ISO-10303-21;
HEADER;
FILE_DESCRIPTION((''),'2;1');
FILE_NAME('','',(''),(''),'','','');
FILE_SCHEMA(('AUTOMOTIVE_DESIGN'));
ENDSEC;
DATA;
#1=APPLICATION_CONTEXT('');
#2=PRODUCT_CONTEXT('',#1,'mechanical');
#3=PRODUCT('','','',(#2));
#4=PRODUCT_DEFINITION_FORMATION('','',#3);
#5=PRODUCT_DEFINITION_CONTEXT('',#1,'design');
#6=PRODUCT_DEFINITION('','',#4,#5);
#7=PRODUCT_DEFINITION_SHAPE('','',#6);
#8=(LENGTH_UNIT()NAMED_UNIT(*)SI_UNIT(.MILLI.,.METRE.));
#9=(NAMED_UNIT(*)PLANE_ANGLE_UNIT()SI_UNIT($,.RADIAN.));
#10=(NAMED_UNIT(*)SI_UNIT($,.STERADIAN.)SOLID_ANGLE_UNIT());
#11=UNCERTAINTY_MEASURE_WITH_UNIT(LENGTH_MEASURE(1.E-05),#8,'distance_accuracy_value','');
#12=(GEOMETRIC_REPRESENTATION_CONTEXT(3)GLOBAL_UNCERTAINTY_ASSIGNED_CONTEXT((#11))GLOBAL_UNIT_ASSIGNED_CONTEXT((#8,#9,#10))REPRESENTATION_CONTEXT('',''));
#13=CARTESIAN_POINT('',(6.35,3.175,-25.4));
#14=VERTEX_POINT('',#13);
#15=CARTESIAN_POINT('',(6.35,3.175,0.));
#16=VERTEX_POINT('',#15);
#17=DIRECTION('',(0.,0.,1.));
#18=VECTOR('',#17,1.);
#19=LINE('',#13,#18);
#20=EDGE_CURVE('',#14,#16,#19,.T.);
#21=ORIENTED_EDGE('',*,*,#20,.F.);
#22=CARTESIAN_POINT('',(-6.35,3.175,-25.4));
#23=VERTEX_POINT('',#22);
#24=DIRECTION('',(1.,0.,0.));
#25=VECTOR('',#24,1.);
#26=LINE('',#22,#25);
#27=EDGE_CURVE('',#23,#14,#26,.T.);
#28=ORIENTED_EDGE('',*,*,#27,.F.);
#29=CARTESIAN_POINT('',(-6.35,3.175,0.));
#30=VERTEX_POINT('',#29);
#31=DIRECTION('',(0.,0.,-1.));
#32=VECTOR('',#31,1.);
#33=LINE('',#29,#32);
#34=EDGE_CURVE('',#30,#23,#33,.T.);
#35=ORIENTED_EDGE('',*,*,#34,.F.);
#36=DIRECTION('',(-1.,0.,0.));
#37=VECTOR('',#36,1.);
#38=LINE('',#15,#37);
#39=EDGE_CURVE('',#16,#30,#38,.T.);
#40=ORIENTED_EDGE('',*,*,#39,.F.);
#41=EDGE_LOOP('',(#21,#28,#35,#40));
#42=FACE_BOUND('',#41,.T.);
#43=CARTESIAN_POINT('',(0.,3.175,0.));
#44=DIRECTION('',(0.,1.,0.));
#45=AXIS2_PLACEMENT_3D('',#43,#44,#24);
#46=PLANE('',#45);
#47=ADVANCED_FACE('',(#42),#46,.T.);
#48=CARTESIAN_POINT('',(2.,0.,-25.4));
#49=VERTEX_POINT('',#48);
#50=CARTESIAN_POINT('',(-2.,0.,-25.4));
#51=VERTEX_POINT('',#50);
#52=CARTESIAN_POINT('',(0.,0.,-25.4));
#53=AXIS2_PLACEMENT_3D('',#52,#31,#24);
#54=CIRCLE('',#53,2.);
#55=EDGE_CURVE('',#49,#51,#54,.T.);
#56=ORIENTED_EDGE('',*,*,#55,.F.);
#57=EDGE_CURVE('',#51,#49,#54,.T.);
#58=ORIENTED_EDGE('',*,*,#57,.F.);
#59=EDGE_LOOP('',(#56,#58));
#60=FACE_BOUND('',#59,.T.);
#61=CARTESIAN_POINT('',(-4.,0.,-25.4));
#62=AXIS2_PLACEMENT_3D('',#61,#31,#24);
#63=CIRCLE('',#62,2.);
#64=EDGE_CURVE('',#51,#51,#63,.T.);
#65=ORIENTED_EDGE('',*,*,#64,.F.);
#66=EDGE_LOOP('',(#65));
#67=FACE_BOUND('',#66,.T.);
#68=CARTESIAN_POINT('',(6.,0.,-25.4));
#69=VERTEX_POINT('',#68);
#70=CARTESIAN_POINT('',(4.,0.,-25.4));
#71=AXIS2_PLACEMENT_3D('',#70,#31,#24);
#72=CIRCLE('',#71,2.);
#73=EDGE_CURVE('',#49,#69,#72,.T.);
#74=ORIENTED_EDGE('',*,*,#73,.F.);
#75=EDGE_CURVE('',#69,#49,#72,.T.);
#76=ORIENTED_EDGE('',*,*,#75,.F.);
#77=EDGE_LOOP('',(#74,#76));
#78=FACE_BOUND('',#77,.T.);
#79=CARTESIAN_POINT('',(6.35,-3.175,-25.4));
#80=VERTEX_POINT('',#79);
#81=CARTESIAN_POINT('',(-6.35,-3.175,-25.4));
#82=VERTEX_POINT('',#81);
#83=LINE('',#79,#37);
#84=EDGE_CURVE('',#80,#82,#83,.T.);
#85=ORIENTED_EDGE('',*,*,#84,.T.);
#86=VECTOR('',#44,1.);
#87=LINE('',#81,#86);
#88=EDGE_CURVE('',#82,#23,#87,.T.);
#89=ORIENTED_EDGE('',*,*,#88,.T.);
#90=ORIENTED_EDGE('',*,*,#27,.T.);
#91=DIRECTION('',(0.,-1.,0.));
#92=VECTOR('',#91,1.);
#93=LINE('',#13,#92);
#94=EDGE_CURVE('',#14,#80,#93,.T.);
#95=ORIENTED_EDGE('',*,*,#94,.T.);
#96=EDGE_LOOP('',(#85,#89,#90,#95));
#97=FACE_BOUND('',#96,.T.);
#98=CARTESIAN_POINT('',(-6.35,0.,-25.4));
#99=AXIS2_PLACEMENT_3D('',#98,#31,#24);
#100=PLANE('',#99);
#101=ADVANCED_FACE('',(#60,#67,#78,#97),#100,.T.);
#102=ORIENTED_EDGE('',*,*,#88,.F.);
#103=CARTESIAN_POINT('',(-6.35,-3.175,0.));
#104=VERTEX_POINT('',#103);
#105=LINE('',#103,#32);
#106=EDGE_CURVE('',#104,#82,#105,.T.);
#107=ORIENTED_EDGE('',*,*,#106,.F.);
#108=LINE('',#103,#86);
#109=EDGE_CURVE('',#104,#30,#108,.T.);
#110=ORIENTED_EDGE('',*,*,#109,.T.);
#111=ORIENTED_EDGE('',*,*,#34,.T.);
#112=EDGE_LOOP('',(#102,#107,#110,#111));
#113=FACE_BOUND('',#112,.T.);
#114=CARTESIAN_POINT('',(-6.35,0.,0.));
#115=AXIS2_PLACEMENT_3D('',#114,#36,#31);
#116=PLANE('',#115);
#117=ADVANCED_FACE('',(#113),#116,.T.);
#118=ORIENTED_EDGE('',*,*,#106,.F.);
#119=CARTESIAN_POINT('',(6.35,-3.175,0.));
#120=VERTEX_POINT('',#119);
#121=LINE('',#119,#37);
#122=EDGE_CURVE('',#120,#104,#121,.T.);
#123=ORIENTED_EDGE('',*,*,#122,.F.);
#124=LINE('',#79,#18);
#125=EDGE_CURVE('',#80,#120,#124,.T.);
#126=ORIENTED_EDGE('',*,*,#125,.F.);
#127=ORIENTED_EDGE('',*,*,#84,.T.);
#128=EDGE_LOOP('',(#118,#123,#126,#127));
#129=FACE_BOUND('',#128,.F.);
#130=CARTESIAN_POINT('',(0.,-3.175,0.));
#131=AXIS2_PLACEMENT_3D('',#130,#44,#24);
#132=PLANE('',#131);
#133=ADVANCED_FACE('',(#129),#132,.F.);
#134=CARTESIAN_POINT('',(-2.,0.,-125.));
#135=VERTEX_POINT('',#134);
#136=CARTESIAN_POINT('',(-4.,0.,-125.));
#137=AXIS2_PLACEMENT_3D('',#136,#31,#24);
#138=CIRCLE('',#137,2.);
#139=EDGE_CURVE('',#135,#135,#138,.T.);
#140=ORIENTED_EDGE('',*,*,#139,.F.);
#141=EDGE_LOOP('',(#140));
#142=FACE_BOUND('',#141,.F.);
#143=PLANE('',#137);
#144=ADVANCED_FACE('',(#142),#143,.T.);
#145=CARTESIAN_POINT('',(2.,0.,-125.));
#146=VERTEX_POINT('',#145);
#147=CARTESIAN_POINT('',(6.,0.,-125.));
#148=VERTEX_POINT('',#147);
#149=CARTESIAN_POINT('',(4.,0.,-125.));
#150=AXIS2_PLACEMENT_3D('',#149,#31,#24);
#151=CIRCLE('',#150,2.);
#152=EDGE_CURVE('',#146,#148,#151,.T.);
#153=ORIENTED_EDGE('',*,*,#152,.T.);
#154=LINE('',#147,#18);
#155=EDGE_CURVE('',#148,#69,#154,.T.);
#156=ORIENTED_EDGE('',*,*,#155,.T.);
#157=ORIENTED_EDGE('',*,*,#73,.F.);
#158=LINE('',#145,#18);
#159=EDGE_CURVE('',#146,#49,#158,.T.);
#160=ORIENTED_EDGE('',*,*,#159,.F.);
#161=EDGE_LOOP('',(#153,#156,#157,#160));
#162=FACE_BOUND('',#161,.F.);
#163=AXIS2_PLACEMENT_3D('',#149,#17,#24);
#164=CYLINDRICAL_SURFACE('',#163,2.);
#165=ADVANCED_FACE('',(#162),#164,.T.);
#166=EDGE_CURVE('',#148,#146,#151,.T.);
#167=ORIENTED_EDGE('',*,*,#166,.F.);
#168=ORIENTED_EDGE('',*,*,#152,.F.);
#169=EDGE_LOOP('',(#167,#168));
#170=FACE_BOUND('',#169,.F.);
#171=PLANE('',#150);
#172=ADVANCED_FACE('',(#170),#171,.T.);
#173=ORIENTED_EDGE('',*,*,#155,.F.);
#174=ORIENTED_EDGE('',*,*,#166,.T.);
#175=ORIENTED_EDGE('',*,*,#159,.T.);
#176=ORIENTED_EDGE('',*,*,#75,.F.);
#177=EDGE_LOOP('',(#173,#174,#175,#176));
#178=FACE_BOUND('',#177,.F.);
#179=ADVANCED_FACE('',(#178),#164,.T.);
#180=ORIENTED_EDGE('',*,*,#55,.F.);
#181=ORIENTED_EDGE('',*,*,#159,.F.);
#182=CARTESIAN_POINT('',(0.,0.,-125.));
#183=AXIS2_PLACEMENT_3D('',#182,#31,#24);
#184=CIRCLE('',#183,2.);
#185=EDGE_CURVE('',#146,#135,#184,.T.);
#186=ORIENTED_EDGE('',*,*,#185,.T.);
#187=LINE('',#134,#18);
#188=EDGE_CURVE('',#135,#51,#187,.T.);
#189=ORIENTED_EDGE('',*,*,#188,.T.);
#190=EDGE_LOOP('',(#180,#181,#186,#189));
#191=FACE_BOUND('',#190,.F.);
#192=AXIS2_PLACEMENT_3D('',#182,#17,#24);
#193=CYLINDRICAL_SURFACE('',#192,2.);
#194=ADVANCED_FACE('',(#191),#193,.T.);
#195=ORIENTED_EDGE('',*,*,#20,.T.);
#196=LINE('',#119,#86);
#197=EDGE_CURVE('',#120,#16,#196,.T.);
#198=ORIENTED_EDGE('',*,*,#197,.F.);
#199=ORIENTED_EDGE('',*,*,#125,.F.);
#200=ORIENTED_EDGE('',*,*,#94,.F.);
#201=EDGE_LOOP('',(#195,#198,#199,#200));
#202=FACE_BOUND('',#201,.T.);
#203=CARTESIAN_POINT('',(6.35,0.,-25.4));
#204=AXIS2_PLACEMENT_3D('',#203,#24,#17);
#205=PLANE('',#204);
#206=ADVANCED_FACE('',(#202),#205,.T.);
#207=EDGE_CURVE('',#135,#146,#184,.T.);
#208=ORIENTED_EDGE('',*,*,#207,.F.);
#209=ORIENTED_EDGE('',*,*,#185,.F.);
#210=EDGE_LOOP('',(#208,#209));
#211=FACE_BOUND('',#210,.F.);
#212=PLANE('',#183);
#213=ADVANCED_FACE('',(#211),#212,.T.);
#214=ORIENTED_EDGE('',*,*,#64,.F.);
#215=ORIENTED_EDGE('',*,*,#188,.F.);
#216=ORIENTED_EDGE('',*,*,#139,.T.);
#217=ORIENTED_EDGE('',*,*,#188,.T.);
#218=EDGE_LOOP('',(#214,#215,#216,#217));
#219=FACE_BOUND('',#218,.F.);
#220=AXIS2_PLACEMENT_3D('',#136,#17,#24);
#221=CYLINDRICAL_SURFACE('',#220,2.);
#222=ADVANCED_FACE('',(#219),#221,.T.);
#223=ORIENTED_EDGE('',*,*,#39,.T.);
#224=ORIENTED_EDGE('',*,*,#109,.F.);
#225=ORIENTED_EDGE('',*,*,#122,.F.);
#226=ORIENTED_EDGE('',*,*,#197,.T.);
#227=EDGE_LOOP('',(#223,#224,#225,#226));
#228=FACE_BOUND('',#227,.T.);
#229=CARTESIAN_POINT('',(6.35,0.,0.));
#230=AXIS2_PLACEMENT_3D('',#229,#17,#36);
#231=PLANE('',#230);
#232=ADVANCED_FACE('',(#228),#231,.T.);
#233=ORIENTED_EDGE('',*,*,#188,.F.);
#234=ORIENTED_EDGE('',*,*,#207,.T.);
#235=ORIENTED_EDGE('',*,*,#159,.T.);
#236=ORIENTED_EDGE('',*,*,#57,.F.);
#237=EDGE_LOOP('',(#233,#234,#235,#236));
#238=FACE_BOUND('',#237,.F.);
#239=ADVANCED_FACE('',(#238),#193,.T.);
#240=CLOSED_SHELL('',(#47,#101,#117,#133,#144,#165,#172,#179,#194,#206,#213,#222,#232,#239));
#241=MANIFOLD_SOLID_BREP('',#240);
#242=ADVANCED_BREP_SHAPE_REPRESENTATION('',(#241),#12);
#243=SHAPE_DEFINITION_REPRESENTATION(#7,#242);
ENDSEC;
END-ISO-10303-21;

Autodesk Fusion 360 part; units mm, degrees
sketch "Sketch1" plane through (0, 0, 0) normal (0, 1, 0) x (1, 0, 0)
  line L0 (-6.35, 25.4) -> (6.35, 25.4)
  line L1 (6.35, 25.4) -> (6.35, 0)
  line L2 (6.35, 0) -> (-6.35, 0)
  line L3 (-6.35, 0) -> (-6.35, 25.4)
  line L4 (-4, 25.4) -> (-4, 125)
  line L5 (-4, 125) -> (-2, 125)
  line L6 (-2, 125) -> (-2, 25.4)
  dimension "d1" = 25.4
  dimension "d2" = 12.7
  dimension "d5" = 125
  dimension "d6" = 2
  dimension "d12" = 2
extrude "Extrude1" add sketch "Sketch1" along normal mid plane 6.35 contours L0 L1 L2 L3
revolve "Revolve1" add sketch "Sketch1" angle 360 about axis through (-4, 0, -25.4) along (0, 0, -1) contours L0 L4 L5 L6
pattern_linear "R-Pattern1" count 3 spacing 4 along (1, 0, 0) of "Revolve1"
